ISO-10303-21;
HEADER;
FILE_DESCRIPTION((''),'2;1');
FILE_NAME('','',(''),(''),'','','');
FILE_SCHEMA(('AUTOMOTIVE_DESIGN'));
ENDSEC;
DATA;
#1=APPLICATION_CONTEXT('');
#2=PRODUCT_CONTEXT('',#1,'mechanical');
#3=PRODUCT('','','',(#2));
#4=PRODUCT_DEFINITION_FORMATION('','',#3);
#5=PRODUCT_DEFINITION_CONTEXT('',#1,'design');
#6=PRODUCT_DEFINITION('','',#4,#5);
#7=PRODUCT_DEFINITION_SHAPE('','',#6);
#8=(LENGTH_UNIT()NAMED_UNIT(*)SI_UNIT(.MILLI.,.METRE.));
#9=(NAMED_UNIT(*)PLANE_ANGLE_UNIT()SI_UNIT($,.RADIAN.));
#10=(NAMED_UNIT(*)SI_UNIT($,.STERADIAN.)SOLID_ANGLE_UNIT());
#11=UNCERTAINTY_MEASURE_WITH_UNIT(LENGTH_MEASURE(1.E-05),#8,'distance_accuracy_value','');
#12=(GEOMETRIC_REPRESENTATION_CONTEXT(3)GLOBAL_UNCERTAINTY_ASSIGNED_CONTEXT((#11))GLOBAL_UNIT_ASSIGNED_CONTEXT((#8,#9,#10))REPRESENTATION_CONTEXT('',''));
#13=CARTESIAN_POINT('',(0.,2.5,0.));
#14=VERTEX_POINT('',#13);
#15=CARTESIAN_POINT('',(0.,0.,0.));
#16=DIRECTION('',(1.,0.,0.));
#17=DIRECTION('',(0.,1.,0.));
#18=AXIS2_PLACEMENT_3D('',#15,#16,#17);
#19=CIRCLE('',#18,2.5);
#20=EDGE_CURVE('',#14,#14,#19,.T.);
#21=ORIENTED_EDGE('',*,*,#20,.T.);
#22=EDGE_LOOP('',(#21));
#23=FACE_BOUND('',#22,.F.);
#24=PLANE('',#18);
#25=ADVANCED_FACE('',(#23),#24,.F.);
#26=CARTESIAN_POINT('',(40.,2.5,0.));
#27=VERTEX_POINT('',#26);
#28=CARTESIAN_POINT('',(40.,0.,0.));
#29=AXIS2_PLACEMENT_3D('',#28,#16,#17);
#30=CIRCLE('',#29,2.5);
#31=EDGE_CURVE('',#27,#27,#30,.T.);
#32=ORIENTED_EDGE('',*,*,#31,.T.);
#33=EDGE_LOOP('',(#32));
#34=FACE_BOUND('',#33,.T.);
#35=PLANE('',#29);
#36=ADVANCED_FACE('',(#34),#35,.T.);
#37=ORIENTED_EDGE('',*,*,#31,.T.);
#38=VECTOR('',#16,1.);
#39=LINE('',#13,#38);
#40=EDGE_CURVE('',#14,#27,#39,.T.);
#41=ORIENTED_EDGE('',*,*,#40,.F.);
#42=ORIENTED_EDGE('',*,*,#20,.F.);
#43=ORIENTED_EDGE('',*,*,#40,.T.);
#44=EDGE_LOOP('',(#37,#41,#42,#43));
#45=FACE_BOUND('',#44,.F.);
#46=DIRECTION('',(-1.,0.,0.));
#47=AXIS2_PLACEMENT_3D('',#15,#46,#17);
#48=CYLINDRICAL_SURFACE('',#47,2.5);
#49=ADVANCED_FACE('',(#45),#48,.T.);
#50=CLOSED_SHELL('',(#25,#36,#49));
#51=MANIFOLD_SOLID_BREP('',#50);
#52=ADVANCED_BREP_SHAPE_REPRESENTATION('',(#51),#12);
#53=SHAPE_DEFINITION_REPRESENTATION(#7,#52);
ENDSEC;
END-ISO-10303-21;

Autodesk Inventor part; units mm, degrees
ref_plane "YZ Plane" through (0, 0, 0) normal (1, 0, 0) x (0, 1, 0)
ref_plane "XZ Plane" through (0, 0, 0) normal (0, 1, 0) x (-1, 0, 0)
ref_plane "XY Plane" through (0, 0, 0) normal (0, 0, 1) x (1, 0, 0)
sketch "Sketch1" plane through (0, 0, 0) normal (1, 0, 0) x (0, 1, 0)
  circle A0 centre (0, 0) radius 2.5
  dimension "d0" = 5
extrude "Extrusion1" add sketch "Sketch1" along normal blind 40
thread "Thread1" size "3/8-32 UNEF" class "2A" standard "ANSI Unified Screw Threads" full length
properties part number "Forefingers Rod2"
